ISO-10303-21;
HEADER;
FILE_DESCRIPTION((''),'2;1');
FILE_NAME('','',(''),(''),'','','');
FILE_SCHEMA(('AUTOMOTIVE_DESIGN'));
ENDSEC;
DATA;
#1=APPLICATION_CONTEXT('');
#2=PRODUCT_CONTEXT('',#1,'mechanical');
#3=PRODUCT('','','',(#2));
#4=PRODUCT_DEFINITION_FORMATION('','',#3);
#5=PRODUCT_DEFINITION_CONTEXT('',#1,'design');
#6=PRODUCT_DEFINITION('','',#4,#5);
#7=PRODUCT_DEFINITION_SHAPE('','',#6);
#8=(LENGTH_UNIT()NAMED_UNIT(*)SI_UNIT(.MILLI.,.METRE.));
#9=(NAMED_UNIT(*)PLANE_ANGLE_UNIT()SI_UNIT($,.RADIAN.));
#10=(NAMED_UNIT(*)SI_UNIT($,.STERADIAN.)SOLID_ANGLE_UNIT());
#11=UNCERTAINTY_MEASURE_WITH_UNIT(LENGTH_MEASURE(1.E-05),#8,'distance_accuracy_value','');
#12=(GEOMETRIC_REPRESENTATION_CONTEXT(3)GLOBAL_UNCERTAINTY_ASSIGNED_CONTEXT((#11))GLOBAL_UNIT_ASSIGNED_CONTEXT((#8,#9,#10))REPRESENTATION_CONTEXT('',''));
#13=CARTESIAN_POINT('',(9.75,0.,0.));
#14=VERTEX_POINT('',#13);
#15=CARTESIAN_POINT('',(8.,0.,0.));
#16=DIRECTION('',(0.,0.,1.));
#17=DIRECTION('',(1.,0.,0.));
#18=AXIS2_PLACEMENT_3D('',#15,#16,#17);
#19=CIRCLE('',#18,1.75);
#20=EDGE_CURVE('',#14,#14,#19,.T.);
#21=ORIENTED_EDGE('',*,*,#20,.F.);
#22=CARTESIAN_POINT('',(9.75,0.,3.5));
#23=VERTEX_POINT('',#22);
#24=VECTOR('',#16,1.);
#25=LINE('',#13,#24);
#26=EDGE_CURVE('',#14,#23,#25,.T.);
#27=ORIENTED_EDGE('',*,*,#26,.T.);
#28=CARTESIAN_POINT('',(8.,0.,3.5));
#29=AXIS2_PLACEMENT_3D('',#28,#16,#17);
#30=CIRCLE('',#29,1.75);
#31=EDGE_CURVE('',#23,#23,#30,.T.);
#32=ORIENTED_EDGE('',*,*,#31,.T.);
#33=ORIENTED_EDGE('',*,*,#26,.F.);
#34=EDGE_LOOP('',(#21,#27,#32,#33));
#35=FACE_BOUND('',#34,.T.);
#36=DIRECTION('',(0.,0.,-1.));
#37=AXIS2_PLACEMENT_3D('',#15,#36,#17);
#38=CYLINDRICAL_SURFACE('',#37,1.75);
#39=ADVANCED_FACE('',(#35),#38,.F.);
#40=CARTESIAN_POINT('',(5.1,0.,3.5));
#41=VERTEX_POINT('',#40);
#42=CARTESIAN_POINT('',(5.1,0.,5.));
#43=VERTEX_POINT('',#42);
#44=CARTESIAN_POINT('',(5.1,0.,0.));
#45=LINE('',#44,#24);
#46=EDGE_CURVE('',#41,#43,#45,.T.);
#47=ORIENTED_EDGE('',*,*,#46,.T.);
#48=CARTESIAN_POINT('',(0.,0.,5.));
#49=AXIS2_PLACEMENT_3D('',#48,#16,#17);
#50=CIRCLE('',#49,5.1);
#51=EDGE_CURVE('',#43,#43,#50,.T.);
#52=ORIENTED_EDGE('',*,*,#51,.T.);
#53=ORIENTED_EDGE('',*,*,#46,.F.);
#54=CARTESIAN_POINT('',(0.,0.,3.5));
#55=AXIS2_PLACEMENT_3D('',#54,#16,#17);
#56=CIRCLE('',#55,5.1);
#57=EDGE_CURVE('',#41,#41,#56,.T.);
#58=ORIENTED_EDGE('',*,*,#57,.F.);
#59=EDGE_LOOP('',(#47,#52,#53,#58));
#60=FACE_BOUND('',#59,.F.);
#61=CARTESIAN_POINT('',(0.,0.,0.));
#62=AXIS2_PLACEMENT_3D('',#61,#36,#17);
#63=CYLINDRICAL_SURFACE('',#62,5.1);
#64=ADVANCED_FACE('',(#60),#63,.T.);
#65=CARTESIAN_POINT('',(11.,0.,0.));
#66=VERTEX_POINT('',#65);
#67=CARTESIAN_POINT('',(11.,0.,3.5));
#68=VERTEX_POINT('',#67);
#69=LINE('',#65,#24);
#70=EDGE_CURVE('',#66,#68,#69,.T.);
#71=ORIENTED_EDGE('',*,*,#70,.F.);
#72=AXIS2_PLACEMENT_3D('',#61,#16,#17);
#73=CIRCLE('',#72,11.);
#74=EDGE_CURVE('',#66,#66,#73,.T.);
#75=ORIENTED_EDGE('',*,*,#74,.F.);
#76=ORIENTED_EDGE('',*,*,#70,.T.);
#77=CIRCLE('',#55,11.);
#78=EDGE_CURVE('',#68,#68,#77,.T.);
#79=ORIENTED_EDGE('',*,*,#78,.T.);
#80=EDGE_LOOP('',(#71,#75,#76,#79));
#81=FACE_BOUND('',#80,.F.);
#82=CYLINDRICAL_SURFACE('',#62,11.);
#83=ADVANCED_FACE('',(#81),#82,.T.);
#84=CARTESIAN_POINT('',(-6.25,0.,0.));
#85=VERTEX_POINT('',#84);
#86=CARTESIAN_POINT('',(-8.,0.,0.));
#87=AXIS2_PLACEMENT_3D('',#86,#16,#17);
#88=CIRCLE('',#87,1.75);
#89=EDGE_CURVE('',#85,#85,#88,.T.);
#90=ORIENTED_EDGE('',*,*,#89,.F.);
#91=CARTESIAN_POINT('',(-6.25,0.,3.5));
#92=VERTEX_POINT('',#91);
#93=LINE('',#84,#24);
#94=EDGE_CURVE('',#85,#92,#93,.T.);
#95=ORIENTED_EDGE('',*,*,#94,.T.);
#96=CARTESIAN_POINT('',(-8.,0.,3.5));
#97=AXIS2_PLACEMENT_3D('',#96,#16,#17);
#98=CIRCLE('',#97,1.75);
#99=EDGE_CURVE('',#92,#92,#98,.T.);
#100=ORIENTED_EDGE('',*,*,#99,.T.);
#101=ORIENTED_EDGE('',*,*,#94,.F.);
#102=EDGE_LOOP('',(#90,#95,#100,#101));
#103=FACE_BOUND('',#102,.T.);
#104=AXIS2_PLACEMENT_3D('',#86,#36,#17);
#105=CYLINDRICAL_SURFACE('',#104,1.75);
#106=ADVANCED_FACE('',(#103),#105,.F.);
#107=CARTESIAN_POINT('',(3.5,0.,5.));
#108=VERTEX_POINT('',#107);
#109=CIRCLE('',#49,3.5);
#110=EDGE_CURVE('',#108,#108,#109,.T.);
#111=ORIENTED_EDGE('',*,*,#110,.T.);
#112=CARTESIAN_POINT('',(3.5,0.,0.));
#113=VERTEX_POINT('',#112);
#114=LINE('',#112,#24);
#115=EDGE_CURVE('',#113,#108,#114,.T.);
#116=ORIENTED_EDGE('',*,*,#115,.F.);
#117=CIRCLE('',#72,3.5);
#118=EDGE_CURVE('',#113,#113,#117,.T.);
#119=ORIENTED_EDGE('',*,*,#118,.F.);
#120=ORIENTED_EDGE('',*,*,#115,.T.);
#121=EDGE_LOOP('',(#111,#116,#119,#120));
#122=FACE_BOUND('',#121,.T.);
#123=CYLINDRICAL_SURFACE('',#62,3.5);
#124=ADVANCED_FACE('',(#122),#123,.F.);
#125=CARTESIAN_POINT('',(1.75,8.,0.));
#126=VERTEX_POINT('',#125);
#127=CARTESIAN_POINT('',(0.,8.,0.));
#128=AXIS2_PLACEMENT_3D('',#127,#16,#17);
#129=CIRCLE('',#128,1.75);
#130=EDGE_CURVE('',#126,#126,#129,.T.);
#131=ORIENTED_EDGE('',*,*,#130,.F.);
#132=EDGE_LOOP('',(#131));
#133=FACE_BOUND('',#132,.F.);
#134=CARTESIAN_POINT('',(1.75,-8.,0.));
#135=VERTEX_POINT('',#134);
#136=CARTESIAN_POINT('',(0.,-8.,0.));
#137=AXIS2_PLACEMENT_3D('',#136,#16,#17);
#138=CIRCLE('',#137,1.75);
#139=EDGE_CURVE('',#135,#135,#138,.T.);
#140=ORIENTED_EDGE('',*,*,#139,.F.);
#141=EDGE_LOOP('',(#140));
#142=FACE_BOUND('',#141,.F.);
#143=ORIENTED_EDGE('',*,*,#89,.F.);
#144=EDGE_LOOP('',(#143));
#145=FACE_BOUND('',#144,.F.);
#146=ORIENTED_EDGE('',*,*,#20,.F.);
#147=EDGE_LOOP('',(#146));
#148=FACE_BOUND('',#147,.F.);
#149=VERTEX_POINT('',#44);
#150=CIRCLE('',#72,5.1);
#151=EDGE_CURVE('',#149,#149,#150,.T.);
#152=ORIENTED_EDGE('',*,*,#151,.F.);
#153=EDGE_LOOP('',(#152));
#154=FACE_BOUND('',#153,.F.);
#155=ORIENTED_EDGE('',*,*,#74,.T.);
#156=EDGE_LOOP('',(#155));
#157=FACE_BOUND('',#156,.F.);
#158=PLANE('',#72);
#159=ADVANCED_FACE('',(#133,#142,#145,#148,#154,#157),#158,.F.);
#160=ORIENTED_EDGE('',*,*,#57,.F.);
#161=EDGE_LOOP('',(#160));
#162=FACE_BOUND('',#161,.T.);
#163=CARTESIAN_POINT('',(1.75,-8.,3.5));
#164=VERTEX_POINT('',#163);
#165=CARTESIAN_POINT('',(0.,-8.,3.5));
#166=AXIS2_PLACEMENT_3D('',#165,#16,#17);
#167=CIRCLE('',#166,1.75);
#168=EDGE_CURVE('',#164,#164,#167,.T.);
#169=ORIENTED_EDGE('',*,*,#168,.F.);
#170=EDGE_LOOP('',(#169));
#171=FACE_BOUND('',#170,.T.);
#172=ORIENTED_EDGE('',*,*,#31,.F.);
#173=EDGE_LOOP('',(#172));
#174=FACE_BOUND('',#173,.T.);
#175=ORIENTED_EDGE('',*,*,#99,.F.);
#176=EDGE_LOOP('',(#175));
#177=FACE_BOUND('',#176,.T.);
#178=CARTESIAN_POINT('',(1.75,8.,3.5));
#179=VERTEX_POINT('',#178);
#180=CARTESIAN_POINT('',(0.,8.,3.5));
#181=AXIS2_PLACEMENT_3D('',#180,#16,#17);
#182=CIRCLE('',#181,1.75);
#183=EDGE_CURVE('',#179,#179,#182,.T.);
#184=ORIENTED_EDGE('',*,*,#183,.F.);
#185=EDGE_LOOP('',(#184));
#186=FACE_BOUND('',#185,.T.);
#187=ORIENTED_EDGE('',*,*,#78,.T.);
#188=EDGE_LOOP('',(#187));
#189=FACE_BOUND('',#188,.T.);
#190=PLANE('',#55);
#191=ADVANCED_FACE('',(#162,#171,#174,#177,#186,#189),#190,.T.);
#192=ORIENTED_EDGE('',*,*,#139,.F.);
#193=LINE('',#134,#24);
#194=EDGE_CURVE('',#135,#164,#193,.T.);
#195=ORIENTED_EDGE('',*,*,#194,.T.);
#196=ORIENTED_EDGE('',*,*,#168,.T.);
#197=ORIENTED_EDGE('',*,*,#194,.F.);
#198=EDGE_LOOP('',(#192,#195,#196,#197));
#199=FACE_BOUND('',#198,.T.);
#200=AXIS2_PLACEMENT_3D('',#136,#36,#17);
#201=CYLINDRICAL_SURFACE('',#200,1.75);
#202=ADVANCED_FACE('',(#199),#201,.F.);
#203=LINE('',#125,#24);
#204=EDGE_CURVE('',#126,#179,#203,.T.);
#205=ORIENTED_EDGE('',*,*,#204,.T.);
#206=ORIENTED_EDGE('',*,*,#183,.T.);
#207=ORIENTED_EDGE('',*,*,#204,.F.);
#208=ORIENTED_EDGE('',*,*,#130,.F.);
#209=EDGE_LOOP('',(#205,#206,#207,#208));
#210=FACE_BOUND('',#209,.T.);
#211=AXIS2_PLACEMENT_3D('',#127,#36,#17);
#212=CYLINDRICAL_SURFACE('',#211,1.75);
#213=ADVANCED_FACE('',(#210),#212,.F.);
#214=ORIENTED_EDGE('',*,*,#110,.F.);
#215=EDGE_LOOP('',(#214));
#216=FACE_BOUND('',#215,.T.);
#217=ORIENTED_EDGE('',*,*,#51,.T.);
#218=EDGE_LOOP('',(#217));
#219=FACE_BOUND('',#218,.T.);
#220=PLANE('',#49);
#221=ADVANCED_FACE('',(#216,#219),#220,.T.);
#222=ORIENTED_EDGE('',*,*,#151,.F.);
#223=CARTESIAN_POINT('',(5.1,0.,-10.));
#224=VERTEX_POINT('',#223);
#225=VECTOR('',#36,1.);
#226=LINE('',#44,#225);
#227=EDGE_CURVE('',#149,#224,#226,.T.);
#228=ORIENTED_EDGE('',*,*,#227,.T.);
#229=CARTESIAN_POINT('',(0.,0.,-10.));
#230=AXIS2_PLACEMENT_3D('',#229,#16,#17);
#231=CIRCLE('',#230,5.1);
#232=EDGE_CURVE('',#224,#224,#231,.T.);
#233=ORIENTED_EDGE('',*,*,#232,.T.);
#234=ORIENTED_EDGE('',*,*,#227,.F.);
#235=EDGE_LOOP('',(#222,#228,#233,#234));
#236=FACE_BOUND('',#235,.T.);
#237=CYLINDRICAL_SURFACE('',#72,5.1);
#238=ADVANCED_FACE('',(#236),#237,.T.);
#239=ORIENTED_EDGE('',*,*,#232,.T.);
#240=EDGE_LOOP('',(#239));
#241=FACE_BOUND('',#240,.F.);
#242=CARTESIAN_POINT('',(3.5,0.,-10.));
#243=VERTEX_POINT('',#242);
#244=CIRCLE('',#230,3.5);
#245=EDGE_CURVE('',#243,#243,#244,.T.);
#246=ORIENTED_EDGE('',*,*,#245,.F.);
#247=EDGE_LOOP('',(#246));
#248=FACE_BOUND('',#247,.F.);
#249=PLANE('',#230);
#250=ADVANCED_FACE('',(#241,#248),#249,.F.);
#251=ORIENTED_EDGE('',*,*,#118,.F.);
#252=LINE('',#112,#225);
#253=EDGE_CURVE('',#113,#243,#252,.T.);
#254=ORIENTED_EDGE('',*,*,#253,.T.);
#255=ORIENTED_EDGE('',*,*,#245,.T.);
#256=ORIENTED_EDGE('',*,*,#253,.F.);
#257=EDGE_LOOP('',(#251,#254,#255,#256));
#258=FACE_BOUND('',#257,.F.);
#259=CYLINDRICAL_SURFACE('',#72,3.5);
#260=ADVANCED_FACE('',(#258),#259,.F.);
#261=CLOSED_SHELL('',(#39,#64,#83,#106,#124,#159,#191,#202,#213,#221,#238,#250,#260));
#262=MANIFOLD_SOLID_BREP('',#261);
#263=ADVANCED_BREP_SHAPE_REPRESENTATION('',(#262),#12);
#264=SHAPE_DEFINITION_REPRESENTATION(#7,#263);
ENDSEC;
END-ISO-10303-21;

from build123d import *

# Parameters (mm, degrees)
F0_R     = 11
F0_R_2   = 1.75
F0_R_3   = 5.1
F1_DEPTH = 3.5
F0_R_4   = 3.5
F2_DEPTH = 5
F3_DEPTH = 10


with BuildPart() as f1:
    # F0 (on Top) → F1 (new body)
    with BuildSketch(Plane.XY):
        Circle(F0_R)
        with Locations((0, -8)):
            Circle(F0_R_2, mode=Mode.SUBTRACT)
        with Locations((-8, 0)):
            Circle(F0_R_2, mode=Mode.SUBTRACT)
        Circle(F0_R_3, mode=Mode.SUBTRACT)
        with Locations((8, 0)):
            Circle(F0_R_2, mode=Mode.SUBTRACT)
        with Locations((0, 8)):
            Circle(F0_R_2, mode=Mode.SUBTRACT)
    extrude(amount=F1_DEPTH)

    # F0 (on Top) → F2 (join)
    with BuildSketch(Plane.XY):
        Circle(F0_R_3)
        Circle(F0_R_4, mode=Mode.SUBTRACT)
    extrude(amount=F2_DEPTH)

    # F0 (on Top) → F3 (join)
    with BuildSketch(Plane.XY):
        Circle(F0_R_3)
        Circle(F0_R_4, mode=Mode.SUBTRACT)
    extrude(amount=-F3_DEPTH)


solid = f1.part
